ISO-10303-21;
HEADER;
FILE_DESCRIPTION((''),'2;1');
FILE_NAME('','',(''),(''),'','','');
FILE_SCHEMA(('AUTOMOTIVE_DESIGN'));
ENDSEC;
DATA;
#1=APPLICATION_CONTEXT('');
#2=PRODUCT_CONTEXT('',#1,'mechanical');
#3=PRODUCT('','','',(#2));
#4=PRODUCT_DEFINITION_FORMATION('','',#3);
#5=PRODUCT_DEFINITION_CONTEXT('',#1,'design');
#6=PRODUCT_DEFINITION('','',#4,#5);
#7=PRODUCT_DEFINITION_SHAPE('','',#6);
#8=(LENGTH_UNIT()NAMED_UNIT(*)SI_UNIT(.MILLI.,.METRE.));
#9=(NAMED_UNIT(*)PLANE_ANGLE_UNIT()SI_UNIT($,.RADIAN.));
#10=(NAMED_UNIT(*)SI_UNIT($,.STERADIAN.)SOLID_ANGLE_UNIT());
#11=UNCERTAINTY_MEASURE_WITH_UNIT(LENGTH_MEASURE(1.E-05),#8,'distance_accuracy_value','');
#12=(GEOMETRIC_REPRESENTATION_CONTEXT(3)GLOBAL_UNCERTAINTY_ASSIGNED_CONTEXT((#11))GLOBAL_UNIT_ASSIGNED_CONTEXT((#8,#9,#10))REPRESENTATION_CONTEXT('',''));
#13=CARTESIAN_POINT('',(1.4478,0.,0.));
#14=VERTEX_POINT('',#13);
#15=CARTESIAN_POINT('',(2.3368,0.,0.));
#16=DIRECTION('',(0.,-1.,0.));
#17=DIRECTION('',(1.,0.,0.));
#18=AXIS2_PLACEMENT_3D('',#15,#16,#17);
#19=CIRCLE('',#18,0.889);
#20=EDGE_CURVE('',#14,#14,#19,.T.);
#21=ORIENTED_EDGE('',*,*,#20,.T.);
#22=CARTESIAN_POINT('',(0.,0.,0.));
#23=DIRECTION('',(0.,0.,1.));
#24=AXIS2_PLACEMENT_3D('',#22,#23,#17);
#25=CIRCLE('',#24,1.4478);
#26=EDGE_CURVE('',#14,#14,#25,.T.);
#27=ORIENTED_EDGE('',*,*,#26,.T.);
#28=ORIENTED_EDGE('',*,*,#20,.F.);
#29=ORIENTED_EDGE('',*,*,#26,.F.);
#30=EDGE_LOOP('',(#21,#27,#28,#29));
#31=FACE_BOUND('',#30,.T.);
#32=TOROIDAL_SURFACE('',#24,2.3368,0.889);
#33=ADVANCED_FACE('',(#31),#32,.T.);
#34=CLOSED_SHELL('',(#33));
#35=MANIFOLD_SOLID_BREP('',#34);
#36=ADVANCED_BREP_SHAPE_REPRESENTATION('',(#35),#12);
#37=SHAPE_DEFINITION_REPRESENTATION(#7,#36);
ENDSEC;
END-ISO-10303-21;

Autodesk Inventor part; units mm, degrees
ref_plane "YZ Plane" through (0, 0, 0) normal (1, 0, 0) x (0, 1, 0)
ref_plane "XZ Plane" through (0, 0, 0) normal (0, 1, 0) x (-1, 0, 0)
ref_plane "XY Plane" through (0, 0, 0) normal (0, 0, 1) x (1, 0, 0)
sketch "Sketch1" plane through (0, 0, 0) normal (0, 0, 1) x (1, 0, 0)
  circle A0 centre (0, 0) radius 2.3368
  dimension "d0" = 4.6736
sketch "Sketch2" plane through (0, 0, 0) normal (1, 0, 0) x (0, 1, 0)
  line L0 (2.3368, 0) -> (-2.3368, 0) projected
  circle A0 centre (-2.3368, 0) radius 0.889
  point P0 (0, 0)
  dimension "d1" = 1.778
sweep "Sweep1" add profiles "Sketch2" path "Sketch1"
properties part number "1163N104"
